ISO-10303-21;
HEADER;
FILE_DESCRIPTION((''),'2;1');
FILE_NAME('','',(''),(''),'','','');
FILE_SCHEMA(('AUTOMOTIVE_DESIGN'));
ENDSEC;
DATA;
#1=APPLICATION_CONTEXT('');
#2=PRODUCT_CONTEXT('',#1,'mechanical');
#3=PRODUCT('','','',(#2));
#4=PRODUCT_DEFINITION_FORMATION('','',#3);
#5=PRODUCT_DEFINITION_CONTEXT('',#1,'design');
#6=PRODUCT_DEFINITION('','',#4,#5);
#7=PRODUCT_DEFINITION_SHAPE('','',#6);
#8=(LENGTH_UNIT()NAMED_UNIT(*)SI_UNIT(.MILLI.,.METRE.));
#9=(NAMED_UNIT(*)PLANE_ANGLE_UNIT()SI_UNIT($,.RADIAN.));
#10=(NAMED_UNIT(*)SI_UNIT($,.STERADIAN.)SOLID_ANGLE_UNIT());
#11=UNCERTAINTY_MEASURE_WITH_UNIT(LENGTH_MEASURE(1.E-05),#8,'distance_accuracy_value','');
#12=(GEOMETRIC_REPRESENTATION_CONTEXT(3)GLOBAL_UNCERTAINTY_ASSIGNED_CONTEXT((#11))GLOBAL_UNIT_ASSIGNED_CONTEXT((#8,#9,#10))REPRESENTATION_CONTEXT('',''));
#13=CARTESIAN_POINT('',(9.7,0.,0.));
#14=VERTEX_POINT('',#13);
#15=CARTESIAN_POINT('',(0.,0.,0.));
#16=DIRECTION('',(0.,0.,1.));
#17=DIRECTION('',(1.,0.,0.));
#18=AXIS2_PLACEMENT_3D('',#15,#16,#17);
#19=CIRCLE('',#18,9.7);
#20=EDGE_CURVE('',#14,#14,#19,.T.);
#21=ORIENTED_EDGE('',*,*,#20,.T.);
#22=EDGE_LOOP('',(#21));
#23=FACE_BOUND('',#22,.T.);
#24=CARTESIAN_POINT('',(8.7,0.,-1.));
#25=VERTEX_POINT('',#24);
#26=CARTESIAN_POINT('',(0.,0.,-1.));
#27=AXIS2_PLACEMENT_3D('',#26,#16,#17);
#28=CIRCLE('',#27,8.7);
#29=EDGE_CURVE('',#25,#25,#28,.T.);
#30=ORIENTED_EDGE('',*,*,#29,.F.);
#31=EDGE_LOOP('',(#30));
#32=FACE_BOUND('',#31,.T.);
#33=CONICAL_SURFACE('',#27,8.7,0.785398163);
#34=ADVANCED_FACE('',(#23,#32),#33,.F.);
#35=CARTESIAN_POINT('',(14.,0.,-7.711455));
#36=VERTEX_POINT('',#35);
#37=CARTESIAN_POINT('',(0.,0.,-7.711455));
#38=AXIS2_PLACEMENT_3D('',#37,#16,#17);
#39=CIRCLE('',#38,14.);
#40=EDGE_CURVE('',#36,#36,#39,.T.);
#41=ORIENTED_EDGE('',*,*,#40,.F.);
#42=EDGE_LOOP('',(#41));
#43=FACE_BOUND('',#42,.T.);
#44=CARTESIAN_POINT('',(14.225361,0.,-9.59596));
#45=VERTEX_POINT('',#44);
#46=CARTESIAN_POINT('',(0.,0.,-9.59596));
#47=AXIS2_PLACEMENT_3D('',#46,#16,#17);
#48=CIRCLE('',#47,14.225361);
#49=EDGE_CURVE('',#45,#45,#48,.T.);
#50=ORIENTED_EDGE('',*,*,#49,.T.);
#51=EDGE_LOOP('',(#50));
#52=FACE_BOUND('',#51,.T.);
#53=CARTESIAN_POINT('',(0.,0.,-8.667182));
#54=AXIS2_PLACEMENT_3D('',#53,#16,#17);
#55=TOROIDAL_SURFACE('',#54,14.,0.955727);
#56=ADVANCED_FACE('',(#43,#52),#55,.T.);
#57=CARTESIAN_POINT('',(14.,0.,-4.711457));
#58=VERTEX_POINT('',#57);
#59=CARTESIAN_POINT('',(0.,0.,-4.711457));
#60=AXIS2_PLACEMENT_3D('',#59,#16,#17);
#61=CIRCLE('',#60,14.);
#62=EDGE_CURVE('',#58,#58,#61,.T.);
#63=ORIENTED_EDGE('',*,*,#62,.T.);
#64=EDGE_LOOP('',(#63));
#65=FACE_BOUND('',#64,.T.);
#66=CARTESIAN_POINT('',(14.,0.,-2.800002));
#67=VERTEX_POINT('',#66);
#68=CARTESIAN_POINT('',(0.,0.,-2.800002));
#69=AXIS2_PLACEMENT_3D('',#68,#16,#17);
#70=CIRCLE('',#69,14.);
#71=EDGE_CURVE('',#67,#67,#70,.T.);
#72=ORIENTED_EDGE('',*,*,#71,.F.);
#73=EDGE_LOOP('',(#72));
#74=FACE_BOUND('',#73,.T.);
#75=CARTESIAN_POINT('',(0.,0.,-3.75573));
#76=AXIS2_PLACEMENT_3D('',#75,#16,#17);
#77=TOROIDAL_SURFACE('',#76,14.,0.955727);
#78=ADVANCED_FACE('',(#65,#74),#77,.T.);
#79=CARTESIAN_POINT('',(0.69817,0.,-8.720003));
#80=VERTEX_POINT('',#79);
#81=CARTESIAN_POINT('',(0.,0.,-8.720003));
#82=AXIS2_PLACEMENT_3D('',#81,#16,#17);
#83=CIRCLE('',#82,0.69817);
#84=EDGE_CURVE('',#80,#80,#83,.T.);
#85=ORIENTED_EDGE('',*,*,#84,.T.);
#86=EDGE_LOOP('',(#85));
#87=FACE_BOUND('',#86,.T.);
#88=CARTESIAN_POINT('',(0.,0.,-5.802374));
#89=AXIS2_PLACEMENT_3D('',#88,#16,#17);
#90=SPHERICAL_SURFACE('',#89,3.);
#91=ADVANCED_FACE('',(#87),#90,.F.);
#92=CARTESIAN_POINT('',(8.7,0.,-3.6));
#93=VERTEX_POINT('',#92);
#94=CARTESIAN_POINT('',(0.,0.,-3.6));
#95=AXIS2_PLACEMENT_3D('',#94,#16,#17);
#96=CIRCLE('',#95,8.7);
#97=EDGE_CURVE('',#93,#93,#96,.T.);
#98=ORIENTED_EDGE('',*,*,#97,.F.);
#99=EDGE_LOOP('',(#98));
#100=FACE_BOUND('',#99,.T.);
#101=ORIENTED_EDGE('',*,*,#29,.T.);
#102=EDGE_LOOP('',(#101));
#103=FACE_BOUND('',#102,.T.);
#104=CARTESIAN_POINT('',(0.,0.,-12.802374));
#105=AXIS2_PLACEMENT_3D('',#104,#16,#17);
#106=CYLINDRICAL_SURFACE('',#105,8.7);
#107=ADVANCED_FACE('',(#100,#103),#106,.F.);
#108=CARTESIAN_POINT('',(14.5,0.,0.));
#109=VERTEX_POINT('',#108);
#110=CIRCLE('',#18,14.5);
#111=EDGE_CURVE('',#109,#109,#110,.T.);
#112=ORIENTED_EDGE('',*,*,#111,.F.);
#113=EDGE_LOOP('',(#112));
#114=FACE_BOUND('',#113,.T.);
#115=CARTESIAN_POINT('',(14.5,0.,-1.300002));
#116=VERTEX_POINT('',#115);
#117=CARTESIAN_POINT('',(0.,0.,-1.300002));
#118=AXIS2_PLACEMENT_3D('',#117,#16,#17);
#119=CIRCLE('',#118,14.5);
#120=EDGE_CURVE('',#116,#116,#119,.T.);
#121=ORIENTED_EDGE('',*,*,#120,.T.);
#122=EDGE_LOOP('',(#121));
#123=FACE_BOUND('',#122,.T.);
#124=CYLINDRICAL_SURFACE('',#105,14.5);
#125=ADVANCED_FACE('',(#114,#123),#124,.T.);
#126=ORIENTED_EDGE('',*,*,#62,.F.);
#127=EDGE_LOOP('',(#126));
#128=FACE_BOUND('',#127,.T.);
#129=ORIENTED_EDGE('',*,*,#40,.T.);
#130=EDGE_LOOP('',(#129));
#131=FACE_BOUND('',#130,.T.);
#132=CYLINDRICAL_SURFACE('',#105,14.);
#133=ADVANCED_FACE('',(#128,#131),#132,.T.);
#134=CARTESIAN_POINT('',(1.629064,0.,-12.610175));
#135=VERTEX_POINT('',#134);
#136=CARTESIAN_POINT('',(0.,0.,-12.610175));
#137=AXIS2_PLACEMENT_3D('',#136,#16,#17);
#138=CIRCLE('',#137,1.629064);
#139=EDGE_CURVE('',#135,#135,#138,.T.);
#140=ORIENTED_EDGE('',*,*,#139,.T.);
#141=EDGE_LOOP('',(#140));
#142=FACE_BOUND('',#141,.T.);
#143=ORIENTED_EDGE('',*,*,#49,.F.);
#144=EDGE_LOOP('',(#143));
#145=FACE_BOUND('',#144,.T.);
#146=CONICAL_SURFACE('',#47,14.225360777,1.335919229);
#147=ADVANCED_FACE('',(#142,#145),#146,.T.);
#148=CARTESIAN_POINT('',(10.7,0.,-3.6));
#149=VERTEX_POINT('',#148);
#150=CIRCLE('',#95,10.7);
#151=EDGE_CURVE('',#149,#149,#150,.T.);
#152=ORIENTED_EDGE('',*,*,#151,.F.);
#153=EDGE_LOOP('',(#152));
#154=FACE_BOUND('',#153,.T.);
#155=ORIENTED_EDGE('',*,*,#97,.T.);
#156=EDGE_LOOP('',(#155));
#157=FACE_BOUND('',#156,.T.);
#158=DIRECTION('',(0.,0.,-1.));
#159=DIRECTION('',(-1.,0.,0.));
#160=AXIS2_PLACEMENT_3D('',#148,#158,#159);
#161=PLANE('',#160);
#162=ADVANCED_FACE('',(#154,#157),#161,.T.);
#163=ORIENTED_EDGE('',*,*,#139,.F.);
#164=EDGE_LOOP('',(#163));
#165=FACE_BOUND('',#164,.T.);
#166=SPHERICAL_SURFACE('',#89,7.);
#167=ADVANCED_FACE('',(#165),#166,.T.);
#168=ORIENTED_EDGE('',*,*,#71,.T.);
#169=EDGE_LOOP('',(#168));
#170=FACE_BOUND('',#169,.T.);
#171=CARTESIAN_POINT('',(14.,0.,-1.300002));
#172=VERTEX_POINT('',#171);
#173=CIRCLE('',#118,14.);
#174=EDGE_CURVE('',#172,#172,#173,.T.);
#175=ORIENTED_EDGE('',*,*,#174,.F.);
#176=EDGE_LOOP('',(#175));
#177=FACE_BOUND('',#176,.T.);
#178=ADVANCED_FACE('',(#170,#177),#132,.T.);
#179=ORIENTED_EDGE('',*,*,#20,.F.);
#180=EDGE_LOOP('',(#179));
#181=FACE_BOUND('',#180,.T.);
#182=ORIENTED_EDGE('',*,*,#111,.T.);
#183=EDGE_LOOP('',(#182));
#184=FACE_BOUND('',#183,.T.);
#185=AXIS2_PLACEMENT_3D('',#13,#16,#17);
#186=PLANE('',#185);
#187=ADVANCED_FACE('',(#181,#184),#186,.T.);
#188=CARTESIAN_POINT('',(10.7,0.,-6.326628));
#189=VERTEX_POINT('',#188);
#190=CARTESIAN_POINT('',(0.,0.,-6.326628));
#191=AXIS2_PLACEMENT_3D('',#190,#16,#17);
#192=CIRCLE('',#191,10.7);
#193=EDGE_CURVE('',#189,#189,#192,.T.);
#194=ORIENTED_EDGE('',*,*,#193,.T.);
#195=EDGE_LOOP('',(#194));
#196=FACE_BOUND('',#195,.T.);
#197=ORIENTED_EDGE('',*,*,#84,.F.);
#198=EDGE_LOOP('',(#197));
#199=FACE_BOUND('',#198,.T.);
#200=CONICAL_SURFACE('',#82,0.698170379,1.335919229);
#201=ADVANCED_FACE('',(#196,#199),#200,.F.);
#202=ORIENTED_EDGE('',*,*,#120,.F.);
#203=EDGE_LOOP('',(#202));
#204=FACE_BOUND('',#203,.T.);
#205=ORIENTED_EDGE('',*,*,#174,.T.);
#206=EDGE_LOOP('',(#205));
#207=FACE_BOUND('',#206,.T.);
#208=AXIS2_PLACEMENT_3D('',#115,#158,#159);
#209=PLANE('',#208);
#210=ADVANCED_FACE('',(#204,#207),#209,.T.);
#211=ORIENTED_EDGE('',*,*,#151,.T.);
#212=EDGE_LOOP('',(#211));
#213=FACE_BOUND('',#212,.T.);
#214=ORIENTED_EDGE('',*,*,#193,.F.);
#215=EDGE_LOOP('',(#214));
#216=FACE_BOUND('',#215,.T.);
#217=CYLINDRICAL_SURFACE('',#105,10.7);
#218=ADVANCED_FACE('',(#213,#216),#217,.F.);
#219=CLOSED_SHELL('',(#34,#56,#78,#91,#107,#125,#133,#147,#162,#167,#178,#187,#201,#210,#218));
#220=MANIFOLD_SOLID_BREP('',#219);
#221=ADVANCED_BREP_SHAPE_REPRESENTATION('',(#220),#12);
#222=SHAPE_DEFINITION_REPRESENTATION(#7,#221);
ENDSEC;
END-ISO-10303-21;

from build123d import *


with BuildPart() as part:
    # 草图1 → 旋转1 (revolve)
    with BuildSketch(Plane(origin=(0, 0, 0), x_dir=(1, 0, 0), z_dir=(0, 1, 0))):
        with BuildLine():
            Line((0, 12.802374441), (0, 8.802374441))
            ThreePointArc((0, 8.802374441), (0.35150636, 8.781710488), (0.698170379, 8.720003294))
            Line((0.698170379, 8.720003294), (10.7, 6.326627875))
            Line((10.7, 6.326627875), (10.7, 3.6))
            Line((10.7, 3.6), (8.7, 3.6))
            Line((8.7, 3.6), (8.7, 1))
            Line((8.7, 1), (9.7, 0))
            Line((9.7, 0), (14.5, 0))
            Line((14.5, 0), (14.5, 1.300002326))
            Line((14.5, 1.300002326), (14.000000007, 1.300002326))
            Line((14.000000007, 1.300002326), (14.000000007, 2.800002326))
            ThreePointArc((14.000000007, 2.800002326), (14.955727499, 3.755729817), (14.000000007, 4.711457309))
            Line((14.000000007, 4.711457309), (14.000000007, 7.711454982))
            ThreePointArc((14.000000007, 7.711454982), (14.948966073, 8.553699236), (14.225360777, 9.595959929))
            Line((14.225360777, 9.595959929), (1.629064218, 12.610175098))
            ThreePointArc((1.629064218, 12.610175098), (0.820181506, 12.75415855), (0, 12.802374441))
        make_face()
    revolve(axis=Axis((0, 0, -12.802374441), (0, 0, 1)))


solid = part.part
